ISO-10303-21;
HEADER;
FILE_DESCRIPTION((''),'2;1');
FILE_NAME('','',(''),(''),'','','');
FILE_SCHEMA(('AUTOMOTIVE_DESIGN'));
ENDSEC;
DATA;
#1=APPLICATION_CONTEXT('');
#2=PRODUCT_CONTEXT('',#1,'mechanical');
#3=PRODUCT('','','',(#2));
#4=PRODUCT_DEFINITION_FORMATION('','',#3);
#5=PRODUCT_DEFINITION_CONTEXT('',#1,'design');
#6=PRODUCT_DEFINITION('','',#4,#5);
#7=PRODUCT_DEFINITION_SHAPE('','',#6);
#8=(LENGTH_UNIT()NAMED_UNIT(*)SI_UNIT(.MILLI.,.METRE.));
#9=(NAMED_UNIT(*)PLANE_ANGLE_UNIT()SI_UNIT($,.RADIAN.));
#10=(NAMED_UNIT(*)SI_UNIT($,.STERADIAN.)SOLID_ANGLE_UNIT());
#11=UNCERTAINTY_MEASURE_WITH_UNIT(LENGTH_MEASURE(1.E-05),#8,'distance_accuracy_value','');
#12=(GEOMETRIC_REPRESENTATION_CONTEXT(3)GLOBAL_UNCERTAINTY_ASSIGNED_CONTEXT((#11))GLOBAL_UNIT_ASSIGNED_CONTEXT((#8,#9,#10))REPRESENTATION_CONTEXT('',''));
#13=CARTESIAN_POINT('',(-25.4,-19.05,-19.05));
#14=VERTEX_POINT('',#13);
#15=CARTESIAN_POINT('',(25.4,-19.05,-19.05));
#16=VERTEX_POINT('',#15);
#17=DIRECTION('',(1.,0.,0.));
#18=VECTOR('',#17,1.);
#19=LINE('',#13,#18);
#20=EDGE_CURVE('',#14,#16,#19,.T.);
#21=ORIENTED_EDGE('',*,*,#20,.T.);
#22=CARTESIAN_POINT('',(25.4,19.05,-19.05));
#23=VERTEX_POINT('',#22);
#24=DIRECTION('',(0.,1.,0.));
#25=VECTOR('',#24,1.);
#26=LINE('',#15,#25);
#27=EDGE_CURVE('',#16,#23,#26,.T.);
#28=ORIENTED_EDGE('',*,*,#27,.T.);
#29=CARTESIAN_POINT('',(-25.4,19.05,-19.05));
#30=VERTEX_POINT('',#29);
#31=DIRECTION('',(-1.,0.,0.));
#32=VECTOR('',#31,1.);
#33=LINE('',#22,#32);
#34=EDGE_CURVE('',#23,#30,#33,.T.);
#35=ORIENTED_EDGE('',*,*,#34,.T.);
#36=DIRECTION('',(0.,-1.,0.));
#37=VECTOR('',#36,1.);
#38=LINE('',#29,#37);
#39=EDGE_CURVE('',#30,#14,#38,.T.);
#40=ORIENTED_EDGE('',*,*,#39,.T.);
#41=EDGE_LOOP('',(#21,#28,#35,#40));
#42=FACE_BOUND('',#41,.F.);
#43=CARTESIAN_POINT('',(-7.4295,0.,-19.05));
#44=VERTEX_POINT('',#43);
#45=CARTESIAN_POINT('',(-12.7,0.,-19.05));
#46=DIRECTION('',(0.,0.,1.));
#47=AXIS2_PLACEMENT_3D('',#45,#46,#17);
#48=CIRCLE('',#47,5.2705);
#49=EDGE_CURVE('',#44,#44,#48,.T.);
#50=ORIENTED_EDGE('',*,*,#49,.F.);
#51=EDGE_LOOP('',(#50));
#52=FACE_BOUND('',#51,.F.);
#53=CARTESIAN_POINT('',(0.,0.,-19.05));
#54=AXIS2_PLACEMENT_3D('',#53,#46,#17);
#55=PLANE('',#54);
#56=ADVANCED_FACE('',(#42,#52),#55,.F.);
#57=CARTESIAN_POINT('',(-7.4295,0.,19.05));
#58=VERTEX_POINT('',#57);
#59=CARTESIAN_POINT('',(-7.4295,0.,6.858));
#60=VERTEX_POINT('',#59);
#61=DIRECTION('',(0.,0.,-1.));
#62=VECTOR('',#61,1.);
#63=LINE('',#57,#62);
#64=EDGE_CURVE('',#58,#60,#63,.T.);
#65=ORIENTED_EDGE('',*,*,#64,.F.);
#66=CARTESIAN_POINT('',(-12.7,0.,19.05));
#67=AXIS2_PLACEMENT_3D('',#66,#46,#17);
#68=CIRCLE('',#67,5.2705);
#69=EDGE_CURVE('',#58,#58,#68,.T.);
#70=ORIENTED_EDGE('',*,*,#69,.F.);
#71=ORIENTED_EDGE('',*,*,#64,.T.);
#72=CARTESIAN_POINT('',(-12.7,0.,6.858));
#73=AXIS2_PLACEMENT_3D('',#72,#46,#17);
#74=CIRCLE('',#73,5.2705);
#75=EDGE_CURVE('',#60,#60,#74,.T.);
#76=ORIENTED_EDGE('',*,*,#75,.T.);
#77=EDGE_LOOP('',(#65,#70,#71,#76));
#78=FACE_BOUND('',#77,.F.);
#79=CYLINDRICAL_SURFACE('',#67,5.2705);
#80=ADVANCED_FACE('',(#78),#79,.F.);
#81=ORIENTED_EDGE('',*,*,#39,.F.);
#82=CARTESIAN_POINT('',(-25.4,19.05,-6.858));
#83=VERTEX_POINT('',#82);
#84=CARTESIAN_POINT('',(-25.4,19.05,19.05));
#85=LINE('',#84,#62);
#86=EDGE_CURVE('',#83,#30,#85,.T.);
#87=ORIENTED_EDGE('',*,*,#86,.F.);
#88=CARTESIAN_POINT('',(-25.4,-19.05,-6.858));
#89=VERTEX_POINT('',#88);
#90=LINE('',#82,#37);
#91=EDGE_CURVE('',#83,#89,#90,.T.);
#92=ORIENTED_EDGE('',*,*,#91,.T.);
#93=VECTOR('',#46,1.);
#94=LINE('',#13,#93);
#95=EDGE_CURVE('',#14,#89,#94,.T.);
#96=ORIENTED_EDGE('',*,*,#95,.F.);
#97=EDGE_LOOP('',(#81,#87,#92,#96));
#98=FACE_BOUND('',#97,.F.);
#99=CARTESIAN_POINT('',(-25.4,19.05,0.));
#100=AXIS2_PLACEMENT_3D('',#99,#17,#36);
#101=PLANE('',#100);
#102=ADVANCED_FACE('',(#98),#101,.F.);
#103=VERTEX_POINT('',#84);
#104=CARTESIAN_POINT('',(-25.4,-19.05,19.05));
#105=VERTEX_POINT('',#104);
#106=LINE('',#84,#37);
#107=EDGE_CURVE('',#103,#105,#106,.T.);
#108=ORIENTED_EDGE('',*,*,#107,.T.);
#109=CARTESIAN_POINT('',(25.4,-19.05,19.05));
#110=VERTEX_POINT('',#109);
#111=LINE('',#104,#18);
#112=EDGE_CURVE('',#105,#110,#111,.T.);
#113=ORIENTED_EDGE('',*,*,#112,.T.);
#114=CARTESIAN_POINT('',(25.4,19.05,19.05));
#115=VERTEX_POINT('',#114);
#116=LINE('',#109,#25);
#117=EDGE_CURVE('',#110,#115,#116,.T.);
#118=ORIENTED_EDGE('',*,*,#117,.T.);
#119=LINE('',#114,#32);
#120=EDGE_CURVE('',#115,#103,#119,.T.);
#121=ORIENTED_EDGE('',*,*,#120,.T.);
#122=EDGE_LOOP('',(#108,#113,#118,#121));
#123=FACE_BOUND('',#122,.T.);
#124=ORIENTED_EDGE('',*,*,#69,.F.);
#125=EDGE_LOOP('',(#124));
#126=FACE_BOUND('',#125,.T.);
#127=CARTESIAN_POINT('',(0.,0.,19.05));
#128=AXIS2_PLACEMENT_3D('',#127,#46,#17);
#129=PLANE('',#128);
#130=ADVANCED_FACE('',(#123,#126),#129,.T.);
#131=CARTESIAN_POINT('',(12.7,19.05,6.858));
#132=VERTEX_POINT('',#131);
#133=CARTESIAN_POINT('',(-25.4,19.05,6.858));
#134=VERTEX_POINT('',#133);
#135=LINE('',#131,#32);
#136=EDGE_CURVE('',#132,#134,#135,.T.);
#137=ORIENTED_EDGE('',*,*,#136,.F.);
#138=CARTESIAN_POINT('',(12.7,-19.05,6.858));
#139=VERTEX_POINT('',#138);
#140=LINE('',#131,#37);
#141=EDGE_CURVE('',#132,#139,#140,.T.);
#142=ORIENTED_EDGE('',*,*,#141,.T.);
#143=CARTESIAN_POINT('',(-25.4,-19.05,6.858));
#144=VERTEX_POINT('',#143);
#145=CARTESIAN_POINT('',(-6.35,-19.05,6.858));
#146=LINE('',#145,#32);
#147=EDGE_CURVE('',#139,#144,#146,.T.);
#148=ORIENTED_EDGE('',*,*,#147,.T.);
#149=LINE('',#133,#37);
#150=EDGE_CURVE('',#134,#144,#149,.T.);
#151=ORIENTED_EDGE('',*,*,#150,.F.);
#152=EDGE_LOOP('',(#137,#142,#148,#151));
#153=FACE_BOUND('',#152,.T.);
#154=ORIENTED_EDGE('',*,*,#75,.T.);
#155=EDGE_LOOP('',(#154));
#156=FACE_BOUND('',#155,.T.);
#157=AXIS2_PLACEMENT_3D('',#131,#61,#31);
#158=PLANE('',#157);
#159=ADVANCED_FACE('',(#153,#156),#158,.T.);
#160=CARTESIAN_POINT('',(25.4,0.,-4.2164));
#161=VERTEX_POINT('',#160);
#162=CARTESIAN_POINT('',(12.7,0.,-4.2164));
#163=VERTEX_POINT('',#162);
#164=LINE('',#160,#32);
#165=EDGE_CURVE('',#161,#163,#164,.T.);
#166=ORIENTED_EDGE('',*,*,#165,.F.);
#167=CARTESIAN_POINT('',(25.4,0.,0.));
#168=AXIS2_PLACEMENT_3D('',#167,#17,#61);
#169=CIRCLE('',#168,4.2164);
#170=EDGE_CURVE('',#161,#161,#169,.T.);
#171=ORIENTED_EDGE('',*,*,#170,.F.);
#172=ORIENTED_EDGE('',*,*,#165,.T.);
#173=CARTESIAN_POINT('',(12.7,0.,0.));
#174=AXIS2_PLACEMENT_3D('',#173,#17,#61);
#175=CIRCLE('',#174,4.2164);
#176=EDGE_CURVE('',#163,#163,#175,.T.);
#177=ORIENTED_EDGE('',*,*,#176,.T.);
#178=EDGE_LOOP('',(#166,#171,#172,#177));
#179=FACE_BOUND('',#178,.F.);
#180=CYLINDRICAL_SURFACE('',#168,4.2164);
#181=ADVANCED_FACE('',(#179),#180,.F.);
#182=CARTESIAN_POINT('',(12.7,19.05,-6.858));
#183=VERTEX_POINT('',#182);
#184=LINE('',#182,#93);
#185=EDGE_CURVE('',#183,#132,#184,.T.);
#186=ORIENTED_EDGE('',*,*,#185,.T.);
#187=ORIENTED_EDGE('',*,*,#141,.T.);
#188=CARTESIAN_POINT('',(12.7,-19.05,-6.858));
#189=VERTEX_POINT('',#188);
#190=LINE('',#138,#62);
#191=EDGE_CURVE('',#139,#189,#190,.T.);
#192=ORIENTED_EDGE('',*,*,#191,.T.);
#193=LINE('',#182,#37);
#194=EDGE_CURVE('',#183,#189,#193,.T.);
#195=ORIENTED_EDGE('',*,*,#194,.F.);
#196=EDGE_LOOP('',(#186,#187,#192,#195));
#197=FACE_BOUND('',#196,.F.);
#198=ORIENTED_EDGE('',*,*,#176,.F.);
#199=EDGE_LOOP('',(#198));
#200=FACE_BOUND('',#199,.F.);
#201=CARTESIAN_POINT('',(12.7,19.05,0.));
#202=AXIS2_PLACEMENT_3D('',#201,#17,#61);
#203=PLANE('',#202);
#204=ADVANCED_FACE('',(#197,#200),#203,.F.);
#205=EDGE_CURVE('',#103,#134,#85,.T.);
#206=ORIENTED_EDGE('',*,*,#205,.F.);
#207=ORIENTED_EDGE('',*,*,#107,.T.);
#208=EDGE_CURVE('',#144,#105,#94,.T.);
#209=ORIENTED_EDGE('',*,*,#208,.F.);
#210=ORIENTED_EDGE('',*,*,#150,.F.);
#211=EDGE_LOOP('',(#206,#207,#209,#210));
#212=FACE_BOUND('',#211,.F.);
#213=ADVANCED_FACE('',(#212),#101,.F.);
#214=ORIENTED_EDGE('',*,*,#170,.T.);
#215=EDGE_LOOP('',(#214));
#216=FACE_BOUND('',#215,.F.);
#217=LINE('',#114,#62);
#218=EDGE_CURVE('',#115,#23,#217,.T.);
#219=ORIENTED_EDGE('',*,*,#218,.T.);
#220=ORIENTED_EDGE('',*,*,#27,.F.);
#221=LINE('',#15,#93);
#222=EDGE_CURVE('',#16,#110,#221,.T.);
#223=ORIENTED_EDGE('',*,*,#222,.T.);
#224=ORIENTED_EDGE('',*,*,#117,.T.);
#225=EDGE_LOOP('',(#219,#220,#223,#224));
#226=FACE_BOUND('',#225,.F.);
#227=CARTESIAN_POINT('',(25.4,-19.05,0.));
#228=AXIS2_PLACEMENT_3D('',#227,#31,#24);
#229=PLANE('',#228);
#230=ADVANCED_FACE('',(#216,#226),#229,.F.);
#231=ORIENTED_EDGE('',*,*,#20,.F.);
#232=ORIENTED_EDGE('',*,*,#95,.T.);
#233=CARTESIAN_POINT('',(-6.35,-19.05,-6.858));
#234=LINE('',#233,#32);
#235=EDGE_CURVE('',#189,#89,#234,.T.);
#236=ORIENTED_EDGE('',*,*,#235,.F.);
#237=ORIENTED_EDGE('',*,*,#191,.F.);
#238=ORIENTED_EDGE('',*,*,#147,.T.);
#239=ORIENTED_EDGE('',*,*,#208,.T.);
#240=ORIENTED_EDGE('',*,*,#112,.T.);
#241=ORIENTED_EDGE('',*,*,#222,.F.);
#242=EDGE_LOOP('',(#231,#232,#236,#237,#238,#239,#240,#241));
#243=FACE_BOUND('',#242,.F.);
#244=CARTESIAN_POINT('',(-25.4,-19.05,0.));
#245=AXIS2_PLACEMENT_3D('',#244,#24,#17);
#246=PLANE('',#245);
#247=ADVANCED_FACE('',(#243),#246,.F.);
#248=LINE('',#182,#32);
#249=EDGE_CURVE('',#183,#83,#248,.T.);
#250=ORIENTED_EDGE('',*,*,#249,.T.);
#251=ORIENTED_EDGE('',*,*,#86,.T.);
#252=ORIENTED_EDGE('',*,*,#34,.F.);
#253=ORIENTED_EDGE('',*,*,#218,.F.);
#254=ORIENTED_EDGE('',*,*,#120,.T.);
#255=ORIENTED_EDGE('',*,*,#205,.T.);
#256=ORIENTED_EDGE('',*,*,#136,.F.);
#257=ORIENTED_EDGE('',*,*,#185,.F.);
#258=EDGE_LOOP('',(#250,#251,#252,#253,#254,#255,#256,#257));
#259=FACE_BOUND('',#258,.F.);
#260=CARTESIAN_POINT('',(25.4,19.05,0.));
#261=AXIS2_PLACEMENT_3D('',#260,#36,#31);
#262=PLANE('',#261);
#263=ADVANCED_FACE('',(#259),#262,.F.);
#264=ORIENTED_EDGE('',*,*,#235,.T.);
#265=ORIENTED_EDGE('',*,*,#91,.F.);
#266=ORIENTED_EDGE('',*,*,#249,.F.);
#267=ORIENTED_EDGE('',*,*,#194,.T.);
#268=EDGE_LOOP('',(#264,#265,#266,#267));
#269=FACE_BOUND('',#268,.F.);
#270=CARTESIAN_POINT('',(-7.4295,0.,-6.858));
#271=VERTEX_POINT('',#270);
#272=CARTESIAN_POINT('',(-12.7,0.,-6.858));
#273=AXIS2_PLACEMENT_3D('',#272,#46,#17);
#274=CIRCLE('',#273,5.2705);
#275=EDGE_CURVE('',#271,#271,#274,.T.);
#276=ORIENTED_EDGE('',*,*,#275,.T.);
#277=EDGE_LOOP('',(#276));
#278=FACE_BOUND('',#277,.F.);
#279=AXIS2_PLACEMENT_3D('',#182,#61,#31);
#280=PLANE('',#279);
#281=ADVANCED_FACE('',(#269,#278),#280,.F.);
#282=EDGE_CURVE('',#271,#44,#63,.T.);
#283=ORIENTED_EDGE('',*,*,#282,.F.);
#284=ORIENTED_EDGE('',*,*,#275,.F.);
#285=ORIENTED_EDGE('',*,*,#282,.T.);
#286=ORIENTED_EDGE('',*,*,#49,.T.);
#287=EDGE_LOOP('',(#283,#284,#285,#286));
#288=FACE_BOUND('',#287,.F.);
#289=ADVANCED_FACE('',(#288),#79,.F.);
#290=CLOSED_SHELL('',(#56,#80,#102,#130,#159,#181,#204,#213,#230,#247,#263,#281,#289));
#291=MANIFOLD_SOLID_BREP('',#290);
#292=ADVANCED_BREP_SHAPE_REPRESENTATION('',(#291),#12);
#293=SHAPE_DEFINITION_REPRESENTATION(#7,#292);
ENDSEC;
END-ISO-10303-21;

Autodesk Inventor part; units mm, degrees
ref_plane "YZ Plane" through (0, 0, 0) normal (1, 0, 0) x (0, 1, 0)
sketch "Sketch2" plane through (0, 0, 0) normal (0, 0, 1) x (1, 0, 0)
  line L0 (-25.4, -19.05) -> (25.4, -19.05)
  line L1 (25.4, -19.05) -> (25.4, 19.05)
  line L2 (25.4, 19.05) -> (-25.4, 19.05)
  line L3 (-25.4, 19.05) -> (-25.4, -19.05)
  line L4 (-25.4, -19.05) -> (25.4, 19.05) construction
  line L5 (25.4, -19.05) -> (-25.4, 19.05) construction
  point P0 (0, 0)
  dimension "d4" = 50.8
  dimension "d5" = 38.1
extrude "Extrusion2" add sketch "Sketch2" along normal mid plane 38.1
sketch "Sketch3" plane through (-25.4, 19.05, 19.05) normal (0, 1, 0) x (1, 0, 0)
  line L0 (0, 0) -> (0, 38.1) construction
  line L1 (38.1, 19.05) -> (38.1, 25.908)
  line L2 (38.1, 25.908) -> (0, 25.908)
  line L3 (0, 25.908) -> (0, 19.05)
  line L4 (0, 0) -> (0, 25.4) construction
  line L5 (38.1, 19.05) -> (38.1, 12.192)
  line L6 (38.1, 12.192) -> (0, 12.192)
  line L7 (0, 12.192) -> (0, 19.05)
  line L8 (50.8, 0) -> (0, 0) projected
  point P0 (25.4, 19.05)
  dimension "d8" = 38.1
  dimension "d10" = 13.716
  dimension "d34" = 12.192
extrude "Extrusion3" cut sketch "Sketch3" against normal through all
sketch "Sketch4" plane through (0, 0, 19.05) normal (0, 0, 1) x (1, 0, 0)
  circle A0 centre (-12.7, 0) radius 5.2705
  line L0 (-25.4, 19.05) -> (-25.4, -19.05) projected
  point P0 (0, 0)
  dimension "d13" = 10.541
  dimension "d14" = 12.7
extrude "Extrusion4" cut sketch "Sketch4" against normal through all
sketch "Sketch5" plane through (25.4, -19.05, 19.05) normal (1, 0, 0) x (0, 0, -1)
  circle A0 centre (19.05, 19.05) radius 4.2164
  dimension "d27" = 8.4328
extrude "Extrusion5" cut sketch "Sketch5" against normal blind 12.7
properties part number "pistonFor-8-in" material "PET Plastic"
